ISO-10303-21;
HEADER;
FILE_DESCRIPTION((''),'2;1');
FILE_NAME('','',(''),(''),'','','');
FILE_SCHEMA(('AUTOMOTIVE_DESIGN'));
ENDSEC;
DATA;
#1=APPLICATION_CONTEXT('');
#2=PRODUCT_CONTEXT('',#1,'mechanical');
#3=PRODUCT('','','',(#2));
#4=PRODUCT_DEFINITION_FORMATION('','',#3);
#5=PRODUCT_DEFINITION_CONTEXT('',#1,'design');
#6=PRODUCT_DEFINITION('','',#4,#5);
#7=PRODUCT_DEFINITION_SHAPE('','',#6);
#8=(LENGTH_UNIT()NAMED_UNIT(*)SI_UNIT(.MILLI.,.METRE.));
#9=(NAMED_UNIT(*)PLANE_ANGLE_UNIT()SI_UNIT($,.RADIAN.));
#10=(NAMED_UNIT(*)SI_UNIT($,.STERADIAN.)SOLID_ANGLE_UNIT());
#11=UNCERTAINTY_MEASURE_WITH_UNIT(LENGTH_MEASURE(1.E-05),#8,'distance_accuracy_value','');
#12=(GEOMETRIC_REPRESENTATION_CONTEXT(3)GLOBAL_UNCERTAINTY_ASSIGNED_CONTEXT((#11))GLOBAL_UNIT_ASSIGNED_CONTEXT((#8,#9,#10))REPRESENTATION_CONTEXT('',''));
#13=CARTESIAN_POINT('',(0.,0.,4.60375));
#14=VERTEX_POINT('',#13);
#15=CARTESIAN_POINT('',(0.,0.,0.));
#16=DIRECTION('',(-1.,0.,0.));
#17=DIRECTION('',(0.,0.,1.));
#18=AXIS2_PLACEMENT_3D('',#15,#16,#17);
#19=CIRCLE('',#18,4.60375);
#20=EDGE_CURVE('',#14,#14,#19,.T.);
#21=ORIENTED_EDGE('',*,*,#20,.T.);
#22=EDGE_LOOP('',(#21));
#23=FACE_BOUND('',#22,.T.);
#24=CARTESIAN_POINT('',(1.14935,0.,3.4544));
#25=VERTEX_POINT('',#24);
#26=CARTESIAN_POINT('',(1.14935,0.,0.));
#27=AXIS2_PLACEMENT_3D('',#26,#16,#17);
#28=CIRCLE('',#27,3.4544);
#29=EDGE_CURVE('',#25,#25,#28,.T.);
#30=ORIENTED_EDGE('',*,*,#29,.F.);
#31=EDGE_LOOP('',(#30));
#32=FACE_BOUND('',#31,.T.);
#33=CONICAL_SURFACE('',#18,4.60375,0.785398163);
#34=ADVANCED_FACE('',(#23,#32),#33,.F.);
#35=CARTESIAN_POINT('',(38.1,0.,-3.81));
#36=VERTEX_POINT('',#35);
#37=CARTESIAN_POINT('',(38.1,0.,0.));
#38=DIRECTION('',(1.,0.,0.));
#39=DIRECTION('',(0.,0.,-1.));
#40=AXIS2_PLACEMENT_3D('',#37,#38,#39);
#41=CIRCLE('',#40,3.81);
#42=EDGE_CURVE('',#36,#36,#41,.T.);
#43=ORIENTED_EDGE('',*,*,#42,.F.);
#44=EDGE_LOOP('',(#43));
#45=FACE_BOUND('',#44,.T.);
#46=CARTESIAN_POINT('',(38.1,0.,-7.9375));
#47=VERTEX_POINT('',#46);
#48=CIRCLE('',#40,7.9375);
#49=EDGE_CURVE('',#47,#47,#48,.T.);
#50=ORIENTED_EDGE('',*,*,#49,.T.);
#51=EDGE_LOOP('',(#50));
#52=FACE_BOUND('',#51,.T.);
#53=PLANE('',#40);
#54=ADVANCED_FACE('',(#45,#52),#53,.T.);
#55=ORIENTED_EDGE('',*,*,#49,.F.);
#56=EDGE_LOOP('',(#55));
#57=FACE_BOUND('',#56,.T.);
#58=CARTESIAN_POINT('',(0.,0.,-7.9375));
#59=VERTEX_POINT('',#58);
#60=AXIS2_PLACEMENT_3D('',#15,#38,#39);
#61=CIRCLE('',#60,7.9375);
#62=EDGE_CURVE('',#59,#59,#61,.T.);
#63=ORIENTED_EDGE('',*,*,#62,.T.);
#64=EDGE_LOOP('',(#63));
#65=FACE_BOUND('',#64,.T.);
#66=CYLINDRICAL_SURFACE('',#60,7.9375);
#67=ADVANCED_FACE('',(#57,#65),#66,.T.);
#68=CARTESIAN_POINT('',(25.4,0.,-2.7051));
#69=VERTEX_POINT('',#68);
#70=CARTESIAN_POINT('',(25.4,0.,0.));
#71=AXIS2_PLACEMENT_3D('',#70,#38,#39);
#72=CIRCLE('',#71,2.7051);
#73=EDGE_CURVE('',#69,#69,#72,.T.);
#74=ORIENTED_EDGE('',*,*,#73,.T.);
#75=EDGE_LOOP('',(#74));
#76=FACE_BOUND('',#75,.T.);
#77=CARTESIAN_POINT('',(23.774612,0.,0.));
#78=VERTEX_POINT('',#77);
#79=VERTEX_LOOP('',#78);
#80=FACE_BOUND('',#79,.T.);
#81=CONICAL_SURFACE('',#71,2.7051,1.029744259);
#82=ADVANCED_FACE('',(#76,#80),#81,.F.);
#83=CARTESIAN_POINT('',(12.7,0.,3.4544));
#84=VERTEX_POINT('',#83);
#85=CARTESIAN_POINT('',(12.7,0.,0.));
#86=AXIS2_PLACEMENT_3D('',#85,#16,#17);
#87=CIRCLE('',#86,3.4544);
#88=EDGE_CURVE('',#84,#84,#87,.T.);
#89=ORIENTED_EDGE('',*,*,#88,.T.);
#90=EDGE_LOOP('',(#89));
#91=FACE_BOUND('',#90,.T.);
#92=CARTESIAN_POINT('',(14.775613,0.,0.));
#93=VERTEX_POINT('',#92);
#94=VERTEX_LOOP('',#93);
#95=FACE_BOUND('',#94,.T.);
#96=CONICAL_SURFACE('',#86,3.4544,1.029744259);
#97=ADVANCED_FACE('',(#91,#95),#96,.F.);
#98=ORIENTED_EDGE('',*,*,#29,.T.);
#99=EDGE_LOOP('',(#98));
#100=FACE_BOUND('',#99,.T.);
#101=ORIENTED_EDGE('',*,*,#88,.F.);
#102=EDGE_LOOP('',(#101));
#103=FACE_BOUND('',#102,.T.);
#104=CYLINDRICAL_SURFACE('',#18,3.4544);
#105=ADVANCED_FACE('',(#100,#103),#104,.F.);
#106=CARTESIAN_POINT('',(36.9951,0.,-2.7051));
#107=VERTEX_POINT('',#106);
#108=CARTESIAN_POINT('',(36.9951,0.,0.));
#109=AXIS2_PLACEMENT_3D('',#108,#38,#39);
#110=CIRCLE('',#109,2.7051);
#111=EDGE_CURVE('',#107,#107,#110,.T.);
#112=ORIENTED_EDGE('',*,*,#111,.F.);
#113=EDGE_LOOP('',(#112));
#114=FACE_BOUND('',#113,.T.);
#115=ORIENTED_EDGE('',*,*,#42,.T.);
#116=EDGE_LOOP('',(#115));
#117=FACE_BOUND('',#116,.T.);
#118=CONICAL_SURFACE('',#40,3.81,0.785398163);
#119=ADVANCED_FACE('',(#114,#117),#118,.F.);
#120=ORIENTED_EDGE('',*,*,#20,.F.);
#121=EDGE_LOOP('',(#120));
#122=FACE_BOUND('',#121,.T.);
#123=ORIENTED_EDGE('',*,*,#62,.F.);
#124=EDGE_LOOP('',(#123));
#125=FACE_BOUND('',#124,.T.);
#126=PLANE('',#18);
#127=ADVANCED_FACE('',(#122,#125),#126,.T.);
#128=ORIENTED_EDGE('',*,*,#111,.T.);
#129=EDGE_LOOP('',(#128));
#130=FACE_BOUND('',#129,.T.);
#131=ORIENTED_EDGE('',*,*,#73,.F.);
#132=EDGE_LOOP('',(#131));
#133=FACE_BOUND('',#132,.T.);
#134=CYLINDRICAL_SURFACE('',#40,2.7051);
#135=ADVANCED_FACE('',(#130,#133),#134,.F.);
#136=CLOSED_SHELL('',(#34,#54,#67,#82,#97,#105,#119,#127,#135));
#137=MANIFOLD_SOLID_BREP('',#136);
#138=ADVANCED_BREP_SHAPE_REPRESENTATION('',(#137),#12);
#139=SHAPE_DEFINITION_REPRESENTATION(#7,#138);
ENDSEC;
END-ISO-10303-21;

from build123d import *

# Parameters (mm, degrees)
SKETCH1_W                         = 38.1
SKETCH1_H                         = 7.9375
F_1_4_28_TAPPED_HOLE1_D           = 5.4102
F_1_4_28_TAPPED_HOLE1_DEPTH       = 12.7
F_1_4_28_TAPPED_HOLE1_CSINK_D     = 7.62
F_1_4_28_TAPPED_HOLE1_CSINK_ANGLE = 90
F_1_4_28_TAPPED_HOLE1_TIP         = 1.625388061
F_7_16_28_TAPPED_HOLE_D           = 6.9088
F_7_16_28_TAPPED_HOLE_DEPTH       = 12.7
F_7_16_28_TAPPED_HOLE_CSINK_D     = 9.2075
F_7_16_28_TAPPED_HOLE_CSINK_ANGLE = 90
F_7_16_28_TAPPED_HOLE_TIP         = 2.075612922


with BuildPart() as part:
    # Sketch1 → Revolve1 (revolve)
    with BuildSketch(Plane.XY, mode=Mode.PRIVATE) as revolve1_sk:
        with Locations((19.05, 3.96875)):
            Rectangle(SKETCH1_W, SKETCH1_H)
    revolve(revolve1_sk.sketch.rotate(Axis((0, 0, 0), (-1, 0, 0)), 90), axis=Axis((0, 0, 0), (-1, 0, 0)))

    # 1/4-28 Tapped Hole1
    with Locations(Plane(origin=(38.1, 0, 0), x_dir=(0, 0, -1), z_dir=(1, 0, 0))):
        with Locations((0, 0)):
            CounterSinkHole(F_1_4_28_TAPPED_HOLE1_D / 2, F_1_4_28_TAPPED_HOLE1_CSINK_D / 2, depth=F_1_4_28_TAPPED_HOLE1_DEPTH, counter_sink_angle=F_1_4_28_TAPPED_HOLE1_CSINK_ANGLE)
            with Locations((0, 0, -(F_1_4_28_TAPPED_HOLE1_DEPTH + F_1_4_28_TAPPED_HOLE1_TIP / 2))):  # 118° drill point
                Cone(0, F_1_4_28_TAPPED_HOLE1_D / 2, F_1_4_28_TAPPED_HOLE1_TIP, mode=Mode.SUBTRACT)

    # 7/16-28 Tapped Hole
    with Locations(Plane.ZY):
        with Locations((0, 0)):
            CounterSinkHole(F_7_16_28_TAPPED_HOLE_D / 2, F_7_16_28_TAPPED_HOLE_CSINK_D / 2, depth=F_7_16_28_TAPPED_HOLE_DEPTH, counter_sink_angle=F_7_16_28_TAPPED_HOLE_CSINK_ANGLE)
            with Locations((0, 0, -(F_7_16_28_TAPPED_HOLE_DEPTH + F_7_16_28_TAPPED_HOLE_TIP / 2))):  # 118° drill point
                Cone(0, F_7_16_28_TAPPED_HOLE_D / 2, F_7_16_28_TAPPED_HOLE_TIP, mode=Mode.SUBTRACT)


solid = part.part
